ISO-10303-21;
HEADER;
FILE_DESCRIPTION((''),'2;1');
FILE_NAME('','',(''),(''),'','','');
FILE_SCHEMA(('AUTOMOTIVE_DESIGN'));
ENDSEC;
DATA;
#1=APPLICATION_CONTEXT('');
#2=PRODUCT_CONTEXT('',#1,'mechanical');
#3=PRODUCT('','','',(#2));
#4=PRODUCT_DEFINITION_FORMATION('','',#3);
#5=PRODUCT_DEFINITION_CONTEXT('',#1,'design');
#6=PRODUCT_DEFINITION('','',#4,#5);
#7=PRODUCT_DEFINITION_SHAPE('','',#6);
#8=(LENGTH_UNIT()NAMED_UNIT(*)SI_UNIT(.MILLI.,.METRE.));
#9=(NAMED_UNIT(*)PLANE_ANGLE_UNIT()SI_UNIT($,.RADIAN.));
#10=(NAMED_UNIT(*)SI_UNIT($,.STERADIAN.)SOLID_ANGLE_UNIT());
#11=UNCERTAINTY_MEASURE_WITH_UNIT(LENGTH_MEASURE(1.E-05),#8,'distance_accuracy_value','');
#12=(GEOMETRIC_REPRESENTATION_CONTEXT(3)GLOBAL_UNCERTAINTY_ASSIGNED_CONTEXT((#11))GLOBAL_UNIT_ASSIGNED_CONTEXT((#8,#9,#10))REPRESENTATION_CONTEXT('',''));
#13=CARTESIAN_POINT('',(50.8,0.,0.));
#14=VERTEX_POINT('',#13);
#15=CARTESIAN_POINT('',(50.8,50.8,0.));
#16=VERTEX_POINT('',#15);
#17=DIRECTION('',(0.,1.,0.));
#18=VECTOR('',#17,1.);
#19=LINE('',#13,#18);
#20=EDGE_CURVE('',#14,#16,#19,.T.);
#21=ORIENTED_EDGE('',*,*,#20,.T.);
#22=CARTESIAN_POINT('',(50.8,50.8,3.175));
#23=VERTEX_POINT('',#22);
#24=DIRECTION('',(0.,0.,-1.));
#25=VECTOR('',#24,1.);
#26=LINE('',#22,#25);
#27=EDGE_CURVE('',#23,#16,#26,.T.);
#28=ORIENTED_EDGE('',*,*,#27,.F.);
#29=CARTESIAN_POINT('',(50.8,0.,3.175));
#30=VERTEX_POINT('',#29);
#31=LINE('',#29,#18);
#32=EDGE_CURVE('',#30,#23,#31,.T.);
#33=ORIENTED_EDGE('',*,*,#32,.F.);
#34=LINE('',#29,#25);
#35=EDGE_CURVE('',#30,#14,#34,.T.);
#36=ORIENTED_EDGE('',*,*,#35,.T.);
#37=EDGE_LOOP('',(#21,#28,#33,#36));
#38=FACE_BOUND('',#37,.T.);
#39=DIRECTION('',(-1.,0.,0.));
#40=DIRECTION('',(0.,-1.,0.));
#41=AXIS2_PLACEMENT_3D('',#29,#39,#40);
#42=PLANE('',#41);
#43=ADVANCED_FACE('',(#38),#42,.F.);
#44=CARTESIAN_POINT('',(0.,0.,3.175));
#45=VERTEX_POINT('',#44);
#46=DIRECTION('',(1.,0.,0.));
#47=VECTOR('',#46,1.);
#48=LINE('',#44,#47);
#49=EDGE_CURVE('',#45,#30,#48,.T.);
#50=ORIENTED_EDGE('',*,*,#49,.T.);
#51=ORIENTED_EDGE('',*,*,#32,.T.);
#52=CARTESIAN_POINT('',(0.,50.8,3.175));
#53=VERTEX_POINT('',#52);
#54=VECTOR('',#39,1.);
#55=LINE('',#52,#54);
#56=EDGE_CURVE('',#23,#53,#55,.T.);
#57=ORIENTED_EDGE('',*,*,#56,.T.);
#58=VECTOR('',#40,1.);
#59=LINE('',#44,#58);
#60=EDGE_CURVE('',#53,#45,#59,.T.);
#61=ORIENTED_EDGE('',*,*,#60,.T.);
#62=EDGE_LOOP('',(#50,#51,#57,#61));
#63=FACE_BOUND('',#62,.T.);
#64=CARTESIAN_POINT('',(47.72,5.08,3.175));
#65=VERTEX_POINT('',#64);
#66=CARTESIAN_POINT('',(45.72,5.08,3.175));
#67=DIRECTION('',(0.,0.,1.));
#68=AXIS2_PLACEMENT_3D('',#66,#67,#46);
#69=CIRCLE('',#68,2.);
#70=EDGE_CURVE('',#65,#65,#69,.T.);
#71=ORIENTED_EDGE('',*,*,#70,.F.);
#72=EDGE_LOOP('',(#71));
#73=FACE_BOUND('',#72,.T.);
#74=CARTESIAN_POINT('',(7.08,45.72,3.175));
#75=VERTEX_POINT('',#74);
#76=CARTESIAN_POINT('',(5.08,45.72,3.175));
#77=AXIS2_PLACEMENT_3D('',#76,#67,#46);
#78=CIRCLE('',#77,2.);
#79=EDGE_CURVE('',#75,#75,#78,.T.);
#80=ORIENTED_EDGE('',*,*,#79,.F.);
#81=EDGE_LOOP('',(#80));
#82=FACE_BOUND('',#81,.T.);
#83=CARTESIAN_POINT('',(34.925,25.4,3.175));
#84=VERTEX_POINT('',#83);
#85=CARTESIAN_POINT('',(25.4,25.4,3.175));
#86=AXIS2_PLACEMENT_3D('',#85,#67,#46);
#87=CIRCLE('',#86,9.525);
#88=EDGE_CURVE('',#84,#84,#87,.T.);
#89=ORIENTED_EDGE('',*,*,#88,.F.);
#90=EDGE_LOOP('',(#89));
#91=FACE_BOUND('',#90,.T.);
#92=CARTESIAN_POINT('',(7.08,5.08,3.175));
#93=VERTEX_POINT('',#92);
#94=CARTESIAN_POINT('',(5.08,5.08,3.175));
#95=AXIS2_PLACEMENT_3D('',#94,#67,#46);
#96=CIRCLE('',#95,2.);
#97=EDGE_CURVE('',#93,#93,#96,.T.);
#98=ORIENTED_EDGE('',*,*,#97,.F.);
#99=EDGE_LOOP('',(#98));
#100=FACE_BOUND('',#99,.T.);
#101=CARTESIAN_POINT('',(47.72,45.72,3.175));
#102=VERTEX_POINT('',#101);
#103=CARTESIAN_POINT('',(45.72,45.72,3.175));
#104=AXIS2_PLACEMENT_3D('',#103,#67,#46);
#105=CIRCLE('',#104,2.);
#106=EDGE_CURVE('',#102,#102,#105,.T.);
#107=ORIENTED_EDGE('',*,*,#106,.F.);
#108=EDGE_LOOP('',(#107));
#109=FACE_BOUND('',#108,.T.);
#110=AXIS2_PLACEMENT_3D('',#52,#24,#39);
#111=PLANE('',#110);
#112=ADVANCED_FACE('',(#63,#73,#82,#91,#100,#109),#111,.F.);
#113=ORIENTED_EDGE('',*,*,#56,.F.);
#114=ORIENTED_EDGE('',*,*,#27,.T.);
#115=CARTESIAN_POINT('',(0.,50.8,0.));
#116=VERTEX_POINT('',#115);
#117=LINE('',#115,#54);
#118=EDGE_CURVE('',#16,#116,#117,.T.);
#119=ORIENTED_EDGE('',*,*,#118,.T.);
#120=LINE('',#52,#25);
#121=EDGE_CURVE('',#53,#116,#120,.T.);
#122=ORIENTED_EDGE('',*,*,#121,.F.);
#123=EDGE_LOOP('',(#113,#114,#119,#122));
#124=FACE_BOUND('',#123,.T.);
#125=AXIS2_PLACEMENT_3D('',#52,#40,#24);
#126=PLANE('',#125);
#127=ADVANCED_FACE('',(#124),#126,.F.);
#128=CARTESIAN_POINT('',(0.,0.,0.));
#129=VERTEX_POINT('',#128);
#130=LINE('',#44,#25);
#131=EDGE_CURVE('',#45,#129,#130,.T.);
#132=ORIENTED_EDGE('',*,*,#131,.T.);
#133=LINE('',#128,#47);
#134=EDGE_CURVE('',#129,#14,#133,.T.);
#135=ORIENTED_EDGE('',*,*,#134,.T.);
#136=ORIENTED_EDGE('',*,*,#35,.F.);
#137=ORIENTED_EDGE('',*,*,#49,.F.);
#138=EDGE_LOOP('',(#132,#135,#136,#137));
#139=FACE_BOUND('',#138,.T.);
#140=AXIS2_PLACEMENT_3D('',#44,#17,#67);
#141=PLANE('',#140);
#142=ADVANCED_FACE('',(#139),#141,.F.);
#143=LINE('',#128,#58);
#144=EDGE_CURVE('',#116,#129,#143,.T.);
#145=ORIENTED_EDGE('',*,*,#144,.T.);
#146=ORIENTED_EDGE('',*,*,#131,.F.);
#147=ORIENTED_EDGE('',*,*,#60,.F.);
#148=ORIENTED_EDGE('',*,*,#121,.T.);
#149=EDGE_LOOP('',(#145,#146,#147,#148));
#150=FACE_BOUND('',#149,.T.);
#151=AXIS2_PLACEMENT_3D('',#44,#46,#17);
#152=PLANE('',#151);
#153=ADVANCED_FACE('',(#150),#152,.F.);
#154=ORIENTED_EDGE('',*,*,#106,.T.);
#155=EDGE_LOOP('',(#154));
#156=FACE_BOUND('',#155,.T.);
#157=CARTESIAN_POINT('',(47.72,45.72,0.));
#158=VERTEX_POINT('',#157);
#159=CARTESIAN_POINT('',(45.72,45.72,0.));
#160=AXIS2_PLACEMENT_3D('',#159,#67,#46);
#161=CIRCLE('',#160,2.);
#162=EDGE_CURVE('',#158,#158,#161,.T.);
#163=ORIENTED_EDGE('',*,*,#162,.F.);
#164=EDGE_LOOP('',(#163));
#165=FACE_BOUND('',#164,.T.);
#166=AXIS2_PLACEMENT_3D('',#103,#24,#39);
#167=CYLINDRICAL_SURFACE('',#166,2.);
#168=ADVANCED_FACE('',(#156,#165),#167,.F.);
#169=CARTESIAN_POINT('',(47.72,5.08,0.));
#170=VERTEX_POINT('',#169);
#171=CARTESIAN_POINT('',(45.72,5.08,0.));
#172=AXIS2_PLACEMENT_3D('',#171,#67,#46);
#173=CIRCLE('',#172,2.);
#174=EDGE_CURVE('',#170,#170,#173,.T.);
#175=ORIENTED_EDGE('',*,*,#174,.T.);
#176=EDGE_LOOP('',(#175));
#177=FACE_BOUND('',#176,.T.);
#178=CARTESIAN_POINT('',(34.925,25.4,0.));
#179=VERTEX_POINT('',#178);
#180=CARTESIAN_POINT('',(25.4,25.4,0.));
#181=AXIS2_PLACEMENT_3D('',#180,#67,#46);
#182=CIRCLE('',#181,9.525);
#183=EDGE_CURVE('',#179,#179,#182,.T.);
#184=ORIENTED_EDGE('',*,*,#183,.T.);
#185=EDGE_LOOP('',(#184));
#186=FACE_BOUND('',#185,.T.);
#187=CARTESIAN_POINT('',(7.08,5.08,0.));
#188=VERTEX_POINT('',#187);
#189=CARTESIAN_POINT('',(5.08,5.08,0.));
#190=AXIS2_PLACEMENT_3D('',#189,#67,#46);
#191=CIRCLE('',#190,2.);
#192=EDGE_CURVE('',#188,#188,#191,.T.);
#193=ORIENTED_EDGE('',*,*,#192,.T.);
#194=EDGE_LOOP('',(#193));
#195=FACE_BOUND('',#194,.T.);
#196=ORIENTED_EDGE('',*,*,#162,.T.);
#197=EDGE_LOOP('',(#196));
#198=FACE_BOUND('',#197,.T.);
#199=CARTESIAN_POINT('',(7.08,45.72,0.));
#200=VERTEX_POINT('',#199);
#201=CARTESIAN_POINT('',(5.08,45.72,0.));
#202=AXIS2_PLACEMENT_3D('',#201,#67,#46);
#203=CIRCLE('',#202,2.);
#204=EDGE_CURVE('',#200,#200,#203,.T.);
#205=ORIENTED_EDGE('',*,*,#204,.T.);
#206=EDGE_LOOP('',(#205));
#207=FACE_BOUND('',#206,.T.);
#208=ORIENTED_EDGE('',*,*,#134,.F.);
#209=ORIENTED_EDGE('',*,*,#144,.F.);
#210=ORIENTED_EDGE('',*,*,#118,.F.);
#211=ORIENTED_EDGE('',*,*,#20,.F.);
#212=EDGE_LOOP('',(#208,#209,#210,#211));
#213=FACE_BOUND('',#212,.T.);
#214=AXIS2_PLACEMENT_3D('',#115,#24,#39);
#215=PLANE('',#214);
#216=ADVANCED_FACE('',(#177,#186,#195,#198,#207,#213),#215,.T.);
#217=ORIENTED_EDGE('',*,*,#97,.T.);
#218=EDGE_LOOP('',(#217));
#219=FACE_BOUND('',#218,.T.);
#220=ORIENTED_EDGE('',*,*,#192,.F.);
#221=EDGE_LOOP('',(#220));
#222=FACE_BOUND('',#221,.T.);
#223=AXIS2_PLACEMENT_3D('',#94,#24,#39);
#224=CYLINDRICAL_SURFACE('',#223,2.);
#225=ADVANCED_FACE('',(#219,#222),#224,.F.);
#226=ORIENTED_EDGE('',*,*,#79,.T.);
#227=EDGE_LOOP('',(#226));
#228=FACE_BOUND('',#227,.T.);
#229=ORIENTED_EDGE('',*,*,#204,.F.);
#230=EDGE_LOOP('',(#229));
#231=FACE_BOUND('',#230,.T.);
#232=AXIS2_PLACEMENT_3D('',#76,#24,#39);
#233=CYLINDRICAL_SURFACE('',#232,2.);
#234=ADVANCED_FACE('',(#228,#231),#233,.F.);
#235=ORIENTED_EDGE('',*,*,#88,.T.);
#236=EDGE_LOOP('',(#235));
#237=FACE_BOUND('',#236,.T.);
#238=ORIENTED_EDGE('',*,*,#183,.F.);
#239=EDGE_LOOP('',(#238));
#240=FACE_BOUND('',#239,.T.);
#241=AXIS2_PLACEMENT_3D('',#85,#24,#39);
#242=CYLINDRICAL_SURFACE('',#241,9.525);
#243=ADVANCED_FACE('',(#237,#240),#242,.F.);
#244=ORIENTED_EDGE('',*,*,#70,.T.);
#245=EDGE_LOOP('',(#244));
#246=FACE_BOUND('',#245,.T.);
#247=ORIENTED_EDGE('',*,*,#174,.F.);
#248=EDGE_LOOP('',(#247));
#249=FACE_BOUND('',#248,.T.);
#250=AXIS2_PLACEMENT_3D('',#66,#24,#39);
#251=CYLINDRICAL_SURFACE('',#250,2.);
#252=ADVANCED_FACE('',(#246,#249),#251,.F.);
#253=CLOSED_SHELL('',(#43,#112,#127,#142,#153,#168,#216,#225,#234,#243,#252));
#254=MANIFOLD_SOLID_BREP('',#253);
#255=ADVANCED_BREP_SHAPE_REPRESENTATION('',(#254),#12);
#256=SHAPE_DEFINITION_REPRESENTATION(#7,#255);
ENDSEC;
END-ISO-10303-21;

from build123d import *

# Parameters (mm, degrees)
SKETCH2_W           = 50.8
SKETCH2_H           = 50.8
SKETCH2_R           = 2
SKETCH2_R_2         = 9.525
BOSS_EXTRUDE1_DEPTH = 3.175


with BuildPart() as part:
    # Sketch2 → Boss-Extrude1 (new body)
    with BuildSketch(Plane.XY):
        with Locations((25.4, 25.4)):
            Rectangle(SKETCH2_W, SKETCH2_H)
        with Locations((5.08, 45.72)):
            Circle(SKETCH2_R, mode=Mode.SUBTRACT)
        with Locations((45.72, 45.72)):
            Circle(SKETCH2_R, mode=Mode.SUBTRACT)
        with Locations((45.72, 5.08)):
            Circle(SKETCH2_R, mode=Mode.SUBTRACT)
        with Locations((5.08, 5.08)):
            Circle(SKETCH2_R, mode=Mode.SUBTRACT)
        with Locations((25.4, 25.4)):
            Circle(SKETCH2_R_2, mode=Mode.SUBTRACT)
    extrude(amount=BOSS_EXTRUDE1_DEPTH)


solid = part.part
